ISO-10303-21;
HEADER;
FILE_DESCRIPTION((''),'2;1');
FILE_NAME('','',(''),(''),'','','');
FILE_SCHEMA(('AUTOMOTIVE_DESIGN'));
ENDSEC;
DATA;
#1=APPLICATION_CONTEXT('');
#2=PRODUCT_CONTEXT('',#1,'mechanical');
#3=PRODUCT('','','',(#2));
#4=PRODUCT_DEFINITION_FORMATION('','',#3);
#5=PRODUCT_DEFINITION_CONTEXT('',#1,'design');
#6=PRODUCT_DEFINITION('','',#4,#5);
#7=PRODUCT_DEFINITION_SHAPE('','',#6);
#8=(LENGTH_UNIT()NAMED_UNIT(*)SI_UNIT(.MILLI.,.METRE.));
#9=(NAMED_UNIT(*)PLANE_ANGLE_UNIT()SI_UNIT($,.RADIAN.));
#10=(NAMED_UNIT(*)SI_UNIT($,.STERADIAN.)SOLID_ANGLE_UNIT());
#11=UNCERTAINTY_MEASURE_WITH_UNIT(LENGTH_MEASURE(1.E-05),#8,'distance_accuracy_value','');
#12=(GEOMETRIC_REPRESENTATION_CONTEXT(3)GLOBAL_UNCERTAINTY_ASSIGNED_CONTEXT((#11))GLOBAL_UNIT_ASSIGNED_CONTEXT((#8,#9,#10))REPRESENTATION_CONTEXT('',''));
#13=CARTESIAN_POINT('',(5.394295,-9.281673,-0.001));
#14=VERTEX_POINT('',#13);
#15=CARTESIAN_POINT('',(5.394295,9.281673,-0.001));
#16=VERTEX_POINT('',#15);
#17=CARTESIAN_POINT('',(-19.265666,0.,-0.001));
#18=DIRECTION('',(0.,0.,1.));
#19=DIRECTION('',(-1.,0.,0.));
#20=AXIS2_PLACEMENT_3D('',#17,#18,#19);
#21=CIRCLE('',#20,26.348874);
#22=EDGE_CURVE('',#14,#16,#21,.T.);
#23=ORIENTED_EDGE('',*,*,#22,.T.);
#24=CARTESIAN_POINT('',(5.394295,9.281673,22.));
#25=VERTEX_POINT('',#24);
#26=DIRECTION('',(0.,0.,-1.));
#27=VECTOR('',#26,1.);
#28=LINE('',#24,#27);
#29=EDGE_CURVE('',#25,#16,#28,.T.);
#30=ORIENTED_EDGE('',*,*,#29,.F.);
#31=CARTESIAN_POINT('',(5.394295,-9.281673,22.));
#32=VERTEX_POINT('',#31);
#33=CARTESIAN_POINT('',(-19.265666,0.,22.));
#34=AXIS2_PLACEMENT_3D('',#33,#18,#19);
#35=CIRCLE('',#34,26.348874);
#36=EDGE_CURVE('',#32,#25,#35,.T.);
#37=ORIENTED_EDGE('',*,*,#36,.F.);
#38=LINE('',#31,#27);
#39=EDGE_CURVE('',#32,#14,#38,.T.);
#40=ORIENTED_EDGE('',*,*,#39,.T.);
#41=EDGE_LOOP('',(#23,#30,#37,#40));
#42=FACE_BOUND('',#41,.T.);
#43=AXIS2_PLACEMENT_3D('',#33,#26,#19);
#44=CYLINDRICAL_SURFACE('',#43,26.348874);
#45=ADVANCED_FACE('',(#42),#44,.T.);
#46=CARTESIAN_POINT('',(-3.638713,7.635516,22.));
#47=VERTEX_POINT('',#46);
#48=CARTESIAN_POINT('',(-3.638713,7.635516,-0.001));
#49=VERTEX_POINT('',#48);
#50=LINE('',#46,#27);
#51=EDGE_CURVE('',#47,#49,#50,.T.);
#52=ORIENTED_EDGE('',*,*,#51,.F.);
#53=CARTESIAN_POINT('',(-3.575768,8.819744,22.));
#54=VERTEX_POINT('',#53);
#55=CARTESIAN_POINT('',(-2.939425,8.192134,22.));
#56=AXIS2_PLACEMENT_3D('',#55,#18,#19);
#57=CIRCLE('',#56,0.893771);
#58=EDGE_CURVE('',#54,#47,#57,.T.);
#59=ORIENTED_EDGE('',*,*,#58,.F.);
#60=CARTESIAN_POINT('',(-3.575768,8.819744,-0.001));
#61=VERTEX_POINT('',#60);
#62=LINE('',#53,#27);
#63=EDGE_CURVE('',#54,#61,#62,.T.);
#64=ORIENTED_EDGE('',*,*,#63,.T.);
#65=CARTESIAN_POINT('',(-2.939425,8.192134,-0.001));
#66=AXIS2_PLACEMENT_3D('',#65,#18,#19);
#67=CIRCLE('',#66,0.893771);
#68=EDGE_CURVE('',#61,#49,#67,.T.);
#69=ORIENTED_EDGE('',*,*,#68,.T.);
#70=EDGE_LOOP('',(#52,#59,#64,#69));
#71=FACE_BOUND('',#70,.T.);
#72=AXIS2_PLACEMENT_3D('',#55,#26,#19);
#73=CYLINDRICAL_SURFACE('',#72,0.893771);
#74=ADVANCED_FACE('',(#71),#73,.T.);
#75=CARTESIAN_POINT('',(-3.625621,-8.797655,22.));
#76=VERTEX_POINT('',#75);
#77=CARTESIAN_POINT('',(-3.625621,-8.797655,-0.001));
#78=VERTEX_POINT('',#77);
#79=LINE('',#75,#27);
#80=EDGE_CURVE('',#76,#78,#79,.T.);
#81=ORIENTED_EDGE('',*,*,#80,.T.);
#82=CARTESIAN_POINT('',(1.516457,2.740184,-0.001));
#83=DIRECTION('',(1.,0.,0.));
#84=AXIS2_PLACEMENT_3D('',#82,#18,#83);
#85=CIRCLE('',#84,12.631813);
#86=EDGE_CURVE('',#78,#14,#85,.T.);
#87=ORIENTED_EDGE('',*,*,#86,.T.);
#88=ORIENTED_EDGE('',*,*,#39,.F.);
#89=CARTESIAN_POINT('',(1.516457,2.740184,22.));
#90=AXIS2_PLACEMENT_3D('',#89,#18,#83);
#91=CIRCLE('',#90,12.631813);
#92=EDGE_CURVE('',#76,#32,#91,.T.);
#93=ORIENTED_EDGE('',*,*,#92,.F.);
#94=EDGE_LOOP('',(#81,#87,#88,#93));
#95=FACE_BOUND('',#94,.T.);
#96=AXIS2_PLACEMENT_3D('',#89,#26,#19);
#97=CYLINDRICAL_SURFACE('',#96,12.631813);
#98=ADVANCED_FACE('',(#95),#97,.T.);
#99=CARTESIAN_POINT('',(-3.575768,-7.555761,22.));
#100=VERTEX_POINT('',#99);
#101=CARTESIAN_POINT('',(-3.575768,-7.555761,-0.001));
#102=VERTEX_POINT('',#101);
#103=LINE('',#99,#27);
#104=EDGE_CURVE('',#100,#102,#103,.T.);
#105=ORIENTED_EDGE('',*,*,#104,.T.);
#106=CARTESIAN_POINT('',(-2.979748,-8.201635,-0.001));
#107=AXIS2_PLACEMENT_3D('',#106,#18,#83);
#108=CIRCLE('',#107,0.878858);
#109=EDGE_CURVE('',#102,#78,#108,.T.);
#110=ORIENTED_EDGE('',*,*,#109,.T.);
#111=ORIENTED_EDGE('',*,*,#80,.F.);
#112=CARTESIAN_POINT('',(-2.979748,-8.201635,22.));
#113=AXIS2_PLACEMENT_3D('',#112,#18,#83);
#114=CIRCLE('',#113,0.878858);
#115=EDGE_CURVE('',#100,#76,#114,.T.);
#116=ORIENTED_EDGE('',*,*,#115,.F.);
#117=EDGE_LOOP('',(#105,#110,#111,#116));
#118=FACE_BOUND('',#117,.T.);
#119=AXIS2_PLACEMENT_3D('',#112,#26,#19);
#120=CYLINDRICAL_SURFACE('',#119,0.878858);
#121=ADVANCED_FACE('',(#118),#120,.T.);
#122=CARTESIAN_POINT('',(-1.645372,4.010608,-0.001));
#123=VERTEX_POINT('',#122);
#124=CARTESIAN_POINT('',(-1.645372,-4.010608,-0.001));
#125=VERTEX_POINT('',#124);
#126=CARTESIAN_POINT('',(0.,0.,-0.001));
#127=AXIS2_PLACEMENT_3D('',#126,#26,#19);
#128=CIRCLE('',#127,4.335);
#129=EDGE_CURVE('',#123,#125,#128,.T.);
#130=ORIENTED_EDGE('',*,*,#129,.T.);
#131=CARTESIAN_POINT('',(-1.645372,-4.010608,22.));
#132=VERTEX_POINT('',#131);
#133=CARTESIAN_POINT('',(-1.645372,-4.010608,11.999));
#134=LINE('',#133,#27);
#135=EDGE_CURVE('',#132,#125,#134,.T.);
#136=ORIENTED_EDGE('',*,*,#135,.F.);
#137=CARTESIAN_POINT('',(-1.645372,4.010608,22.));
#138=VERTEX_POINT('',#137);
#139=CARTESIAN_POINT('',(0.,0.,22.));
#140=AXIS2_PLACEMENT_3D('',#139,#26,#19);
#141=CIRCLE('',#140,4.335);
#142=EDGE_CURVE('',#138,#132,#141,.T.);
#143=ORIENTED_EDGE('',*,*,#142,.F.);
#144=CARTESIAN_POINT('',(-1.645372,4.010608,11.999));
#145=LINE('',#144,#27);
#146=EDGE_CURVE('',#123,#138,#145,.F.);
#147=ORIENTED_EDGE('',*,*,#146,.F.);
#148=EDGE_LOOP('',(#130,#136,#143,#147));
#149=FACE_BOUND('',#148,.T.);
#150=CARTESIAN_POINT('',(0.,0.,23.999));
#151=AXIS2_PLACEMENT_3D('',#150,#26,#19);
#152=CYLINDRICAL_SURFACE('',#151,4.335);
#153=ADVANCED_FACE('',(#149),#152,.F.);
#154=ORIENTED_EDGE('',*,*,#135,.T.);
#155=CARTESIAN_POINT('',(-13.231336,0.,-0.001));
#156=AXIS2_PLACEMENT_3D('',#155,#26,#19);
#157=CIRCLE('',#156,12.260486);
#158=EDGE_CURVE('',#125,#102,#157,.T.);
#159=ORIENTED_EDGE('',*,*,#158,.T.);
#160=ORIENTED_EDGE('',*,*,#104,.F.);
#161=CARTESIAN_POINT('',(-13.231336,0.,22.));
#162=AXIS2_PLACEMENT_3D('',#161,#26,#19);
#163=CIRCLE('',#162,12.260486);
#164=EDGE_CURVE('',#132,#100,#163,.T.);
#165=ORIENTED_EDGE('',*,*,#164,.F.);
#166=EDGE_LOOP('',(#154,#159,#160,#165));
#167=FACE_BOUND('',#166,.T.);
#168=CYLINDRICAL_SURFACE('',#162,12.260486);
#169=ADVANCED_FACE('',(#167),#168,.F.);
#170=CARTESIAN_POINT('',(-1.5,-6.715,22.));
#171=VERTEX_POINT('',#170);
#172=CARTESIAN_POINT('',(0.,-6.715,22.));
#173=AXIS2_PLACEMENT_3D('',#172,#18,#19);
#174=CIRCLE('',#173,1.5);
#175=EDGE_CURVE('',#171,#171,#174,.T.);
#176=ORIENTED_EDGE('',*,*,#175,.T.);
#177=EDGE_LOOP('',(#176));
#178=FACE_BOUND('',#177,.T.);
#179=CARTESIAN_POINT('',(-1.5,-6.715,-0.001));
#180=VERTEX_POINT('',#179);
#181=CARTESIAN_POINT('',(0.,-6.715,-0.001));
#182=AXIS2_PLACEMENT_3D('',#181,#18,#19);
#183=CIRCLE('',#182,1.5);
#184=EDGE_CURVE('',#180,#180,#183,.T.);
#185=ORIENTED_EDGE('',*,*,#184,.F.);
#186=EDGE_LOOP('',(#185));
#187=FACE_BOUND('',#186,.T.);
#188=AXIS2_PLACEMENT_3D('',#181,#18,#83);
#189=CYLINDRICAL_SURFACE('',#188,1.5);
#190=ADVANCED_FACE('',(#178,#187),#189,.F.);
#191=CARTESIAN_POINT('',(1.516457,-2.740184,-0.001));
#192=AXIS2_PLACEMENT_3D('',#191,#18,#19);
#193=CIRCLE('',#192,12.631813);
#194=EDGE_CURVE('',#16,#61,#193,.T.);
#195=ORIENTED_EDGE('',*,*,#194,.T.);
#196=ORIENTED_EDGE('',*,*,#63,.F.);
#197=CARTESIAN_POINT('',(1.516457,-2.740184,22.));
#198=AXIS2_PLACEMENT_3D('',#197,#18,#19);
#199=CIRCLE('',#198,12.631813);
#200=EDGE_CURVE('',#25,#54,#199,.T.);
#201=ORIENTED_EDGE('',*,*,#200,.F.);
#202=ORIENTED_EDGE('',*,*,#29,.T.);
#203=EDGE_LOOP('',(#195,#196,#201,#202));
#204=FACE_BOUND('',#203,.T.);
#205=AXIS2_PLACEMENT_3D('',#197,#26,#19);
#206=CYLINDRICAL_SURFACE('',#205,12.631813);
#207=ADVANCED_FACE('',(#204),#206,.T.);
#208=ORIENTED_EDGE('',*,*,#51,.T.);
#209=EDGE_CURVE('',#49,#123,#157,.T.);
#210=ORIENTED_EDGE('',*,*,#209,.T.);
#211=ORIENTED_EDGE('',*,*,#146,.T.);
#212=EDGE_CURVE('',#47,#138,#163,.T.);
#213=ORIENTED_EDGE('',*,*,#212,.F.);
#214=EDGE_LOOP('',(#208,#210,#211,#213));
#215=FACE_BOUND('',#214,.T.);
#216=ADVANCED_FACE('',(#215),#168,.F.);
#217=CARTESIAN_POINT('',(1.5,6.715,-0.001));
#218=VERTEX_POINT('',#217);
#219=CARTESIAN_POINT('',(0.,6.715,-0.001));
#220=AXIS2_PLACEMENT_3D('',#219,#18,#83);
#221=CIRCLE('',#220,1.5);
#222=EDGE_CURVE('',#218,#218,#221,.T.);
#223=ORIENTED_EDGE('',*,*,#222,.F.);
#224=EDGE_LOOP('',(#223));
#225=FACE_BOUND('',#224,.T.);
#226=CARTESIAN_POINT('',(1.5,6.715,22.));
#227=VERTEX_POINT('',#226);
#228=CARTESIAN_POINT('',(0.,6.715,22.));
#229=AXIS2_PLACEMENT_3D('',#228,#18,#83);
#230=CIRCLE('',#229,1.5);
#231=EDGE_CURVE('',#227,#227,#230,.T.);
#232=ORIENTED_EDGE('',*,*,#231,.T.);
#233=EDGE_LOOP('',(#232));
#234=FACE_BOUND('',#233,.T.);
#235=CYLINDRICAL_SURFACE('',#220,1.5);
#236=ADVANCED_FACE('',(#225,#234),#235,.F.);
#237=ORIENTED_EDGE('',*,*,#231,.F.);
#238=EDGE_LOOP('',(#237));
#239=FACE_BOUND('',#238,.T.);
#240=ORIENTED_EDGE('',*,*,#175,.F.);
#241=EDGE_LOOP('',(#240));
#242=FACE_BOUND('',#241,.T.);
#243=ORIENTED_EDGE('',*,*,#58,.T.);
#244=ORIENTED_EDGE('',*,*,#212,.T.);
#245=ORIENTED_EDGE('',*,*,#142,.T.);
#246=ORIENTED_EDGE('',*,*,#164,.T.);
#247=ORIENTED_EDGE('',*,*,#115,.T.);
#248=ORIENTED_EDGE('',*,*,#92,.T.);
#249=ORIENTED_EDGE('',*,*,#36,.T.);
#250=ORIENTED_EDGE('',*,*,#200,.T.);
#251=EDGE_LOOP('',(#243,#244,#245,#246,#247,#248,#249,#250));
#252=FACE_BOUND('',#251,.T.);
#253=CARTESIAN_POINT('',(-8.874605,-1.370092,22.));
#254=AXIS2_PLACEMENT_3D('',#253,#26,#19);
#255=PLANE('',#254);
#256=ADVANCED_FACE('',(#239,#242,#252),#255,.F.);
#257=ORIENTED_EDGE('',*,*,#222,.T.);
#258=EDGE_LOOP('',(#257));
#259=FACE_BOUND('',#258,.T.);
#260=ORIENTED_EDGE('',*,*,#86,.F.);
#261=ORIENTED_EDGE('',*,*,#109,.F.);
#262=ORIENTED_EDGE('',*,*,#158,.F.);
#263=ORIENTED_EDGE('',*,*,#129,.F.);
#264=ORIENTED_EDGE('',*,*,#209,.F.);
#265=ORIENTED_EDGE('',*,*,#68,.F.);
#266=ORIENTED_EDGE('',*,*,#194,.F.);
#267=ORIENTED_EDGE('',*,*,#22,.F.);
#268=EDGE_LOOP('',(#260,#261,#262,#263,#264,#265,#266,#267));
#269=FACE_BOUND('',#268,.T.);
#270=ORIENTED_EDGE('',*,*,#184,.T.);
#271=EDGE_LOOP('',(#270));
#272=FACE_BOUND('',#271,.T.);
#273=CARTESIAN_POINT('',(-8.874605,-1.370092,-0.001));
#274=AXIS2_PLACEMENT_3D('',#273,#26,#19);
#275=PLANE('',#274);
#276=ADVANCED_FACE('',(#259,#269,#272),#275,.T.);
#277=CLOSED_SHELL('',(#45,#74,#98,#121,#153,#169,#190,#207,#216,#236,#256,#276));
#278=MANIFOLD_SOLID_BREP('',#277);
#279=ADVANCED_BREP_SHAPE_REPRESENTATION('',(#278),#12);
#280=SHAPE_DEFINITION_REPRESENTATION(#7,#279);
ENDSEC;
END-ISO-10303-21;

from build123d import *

# Parameters (mm, degrees)
EXTRUDE1_DEPTH      = 22
EXTRUDE1_DEPTH_BACK = 0.001
SKETCH3_R           = 1.5
CUT_EXTRUDE1_DEPTH  = 26.140806237
SKETCH5_R           = 4.335
CUT_EXTRUDE2_DEPTH  = 24


with BuildPart() as part:
    # Sketch1 → Extrude1 (new, two sides: drawn at the far end of the back side and taken through both)
    with BuildSketch(Plane.XY.offset(-EXTRUDE1_DEPTH_BACK)):
        with BuildLine():
            ThreePointArc((5.394294709, 9.281673418), (7.083207262, 0), (5.394294709, -9.281673418))
            ThreePointArc((5.394294709, -9.281673418), (0.839593343, -9.873480825), (-3.625620963, -8.797654747))
            ThreePointArc((-3.625620963, -8.797654747), (-3.857898862, -8.166383103), (-3.57576768, -7.555761366))
            ThreePointArc((-3.57576768, -7.555761366), (-0.970954643, 0.05080099), (-3.638712866, 7.635516404))
            ThreePointArc((-3.638712866, 7.635516404), (-3.831936153, 8.239573474), (-3.57576768, 8.819744049))
            ThreePointArc((-3.57576768, 8.819744049), (0.866819678, 9.874912356), (5.394294709, 9.281673418))
        make_face()
    extrude(amount=EXTRUDE1_DEPTH + EXTRUDE1_DEPTH_BACK)

    # Sketch3 → Cut-Extrude1 (cut, through all)
    with BuildSketch(Plane.XY.offset(22)):
        with Locations((0, 6.715)):
            Circle(SKETCH3_R)
        with Locations(Location((0, -6.715, 0), (0, 0, 180))):
            Circle(SKETCH3_R)
    extrude(amount=-CUT_EXTRUDE1_DEPTH, mode=Mode.SUBTRACT)

    # Sketch5 → Cut-Extrude2 (cut)
    with BuildSketch(Plane(origin=(0, 0, -0.001), x_dir=(-1, 0, 0), z_dir=(0, 0, -1))):
        Circle(SKETCH5_R)
    extrude(amount=-CUT_EXTRUDE2_DEPTH, mode=Mode.SUBTRACT)


solid = part.part
